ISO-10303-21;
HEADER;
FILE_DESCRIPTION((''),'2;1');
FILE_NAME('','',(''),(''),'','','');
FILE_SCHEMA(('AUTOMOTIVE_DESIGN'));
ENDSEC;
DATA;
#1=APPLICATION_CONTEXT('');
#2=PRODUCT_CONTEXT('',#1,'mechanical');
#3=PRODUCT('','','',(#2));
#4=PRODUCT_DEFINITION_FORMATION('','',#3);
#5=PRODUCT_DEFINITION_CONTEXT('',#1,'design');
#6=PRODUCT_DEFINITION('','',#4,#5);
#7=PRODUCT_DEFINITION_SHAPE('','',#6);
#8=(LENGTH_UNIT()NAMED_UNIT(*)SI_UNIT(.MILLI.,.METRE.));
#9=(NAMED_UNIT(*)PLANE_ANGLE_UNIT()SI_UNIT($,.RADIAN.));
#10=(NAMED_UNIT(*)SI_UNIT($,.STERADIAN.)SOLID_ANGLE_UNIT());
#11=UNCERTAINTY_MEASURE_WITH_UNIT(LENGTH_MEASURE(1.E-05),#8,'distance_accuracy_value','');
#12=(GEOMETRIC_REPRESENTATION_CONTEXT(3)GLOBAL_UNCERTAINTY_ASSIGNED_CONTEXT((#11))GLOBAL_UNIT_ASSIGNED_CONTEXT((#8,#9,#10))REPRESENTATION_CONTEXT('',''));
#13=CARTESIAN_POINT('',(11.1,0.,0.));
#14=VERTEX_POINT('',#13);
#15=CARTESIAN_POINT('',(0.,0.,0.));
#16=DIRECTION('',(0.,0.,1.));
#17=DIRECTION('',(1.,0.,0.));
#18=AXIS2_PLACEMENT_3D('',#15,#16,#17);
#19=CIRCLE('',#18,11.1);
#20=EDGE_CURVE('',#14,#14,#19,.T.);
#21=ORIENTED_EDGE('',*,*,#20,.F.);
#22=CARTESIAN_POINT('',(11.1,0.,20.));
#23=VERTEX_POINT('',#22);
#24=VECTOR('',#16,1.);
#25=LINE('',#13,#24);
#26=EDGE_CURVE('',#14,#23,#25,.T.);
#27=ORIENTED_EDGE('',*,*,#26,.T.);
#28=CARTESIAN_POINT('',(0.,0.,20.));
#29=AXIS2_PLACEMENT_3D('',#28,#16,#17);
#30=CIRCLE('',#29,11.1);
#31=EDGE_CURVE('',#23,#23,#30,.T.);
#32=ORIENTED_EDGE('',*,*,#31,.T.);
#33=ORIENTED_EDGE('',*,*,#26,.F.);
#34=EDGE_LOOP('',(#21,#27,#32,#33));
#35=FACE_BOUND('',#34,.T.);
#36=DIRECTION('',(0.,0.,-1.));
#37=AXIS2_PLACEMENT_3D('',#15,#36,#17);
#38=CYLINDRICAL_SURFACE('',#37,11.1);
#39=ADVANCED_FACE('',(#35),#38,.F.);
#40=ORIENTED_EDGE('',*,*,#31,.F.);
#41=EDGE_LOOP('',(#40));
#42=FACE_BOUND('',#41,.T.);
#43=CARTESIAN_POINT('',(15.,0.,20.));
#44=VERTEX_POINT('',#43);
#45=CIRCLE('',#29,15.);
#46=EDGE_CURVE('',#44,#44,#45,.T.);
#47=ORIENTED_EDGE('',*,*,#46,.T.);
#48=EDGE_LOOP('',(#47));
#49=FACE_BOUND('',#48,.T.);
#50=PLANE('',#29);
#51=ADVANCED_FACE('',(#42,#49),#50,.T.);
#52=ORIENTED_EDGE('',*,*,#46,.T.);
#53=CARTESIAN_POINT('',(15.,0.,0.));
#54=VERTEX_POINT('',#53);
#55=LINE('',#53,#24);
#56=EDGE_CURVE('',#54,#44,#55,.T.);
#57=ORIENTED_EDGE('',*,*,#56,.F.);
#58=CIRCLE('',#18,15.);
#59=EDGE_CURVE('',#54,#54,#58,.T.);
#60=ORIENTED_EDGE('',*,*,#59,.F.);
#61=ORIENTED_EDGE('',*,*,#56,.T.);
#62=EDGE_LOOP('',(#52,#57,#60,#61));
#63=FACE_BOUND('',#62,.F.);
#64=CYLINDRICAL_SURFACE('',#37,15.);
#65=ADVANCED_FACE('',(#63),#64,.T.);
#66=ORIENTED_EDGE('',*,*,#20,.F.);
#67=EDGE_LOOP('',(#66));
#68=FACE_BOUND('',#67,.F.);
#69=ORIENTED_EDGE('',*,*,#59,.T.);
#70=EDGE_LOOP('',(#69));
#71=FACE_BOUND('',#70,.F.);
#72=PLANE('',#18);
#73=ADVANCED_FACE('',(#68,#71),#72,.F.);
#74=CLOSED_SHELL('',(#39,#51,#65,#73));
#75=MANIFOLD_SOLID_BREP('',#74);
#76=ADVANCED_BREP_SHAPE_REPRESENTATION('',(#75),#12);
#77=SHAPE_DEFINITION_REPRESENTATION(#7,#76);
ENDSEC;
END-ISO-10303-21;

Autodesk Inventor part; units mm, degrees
ref_plane "YZ Plane" through (0, 0, 0) normal (1, 0, 0) x (0, 1, 0)
ref_plane "XZ Plane" through (0, 0, 0) normal (0, 1, 0) x (-1, 0, 0)
ref_plane "XY Plane" through (0, 0, 0) normal (0, 0, 1) x (1, 0, 0)
sketch "Skizze1" plane through (0, 0, 0) normal (0, 0, 1) x (1, 0, 0)
  circle A0 centre (0, 0) radius 15
  circle A1 centre (0, 0) radius 11.1
  dimension "d0" = 30
  dimension "d1" = 22.2
extrude "Extrusion1" add sketch "Skizze1" along normal blind 20
properties part number "Cameralager22.2"
